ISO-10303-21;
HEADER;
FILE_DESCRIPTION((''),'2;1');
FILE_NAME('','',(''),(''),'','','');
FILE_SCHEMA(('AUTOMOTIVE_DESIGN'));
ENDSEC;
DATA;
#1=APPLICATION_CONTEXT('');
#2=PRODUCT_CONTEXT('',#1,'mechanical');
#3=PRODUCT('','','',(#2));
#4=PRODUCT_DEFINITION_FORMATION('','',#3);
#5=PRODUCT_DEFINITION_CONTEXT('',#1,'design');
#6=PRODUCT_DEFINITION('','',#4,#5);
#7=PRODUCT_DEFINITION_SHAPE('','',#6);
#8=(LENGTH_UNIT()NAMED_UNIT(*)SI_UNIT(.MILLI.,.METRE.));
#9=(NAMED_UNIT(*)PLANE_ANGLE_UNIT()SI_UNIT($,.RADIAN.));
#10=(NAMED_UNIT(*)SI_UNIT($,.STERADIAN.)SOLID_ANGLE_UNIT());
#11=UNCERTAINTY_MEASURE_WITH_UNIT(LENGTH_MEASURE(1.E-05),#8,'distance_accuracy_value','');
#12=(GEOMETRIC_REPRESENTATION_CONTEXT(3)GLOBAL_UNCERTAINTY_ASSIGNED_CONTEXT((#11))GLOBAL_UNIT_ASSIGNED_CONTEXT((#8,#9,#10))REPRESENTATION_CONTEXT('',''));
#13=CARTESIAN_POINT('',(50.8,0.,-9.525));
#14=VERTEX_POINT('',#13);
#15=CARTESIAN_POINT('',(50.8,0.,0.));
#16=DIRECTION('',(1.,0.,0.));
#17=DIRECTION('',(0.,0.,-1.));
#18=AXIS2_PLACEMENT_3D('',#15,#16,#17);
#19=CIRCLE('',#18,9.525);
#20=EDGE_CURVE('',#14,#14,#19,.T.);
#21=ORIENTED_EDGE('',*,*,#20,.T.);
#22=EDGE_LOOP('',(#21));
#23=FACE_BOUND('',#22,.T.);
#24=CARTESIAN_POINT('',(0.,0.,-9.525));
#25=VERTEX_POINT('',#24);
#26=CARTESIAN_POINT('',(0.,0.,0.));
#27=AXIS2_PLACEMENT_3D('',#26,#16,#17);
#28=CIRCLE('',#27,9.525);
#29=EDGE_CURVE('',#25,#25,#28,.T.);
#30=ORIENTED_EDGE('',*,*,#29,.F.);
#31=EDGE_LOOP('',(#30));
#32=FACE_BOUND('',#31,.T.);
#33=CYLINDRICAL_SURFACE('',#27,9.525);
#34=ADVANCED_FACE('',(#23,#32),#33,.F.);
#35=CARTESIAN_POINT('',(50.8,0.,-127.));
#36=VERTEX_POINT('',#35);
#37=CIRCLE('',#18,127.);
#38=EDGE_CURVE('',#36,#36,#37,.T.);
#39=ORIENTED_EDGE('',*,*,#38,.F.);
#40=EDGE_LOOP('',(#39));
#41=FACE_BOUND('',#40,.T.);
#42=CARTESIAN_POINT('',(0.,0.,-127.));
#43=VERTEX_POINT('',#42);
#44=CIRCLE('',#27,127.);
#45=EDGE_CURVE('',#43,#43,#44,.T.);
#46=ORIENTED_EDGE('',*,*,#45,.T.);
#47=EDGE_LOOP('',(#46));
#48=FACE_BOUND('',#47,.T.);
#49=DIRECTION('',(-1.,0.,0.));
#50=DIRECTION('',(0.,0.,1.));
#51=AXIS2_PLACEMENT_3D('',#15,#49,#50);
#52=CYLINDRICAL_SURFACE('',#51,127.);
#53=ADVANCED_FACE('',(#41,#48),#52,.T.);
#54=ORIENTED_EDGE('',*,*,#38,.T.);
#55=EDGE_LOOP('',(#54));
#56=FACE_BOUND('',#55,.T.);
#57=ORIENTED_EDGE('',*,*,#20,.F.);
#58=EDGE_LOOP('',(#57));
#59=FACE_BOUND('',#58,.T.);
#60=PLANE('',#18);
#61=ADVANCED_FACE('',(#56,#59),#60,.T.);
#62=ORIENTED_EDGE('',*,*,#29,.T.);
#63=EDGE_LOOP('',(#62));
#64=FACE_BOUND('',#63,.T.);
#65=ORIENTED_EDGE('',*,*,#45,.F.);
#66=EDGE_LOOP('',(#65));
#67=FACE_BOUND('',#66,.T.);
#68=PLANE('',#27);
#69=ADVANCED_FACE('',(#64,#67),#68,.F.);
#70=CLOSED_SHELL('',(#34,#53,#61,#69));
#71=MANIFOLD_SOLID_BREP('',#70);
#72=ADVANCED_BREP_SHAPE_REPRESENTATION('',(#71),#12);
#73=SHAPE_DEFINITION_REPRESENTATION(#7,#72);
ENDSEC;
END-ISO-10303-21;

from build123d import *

# Parameters (mm, degrees)
SKETCH1_R           = 127
BOSS_EXTRUDE1_DEPTH = 50.8
SKETCH2_R           = 9.525
CUT_EXTRUDE1_DEPTH  = 50.8


with BuildPart() as part:
    # Sketch1 → Boss-Extrude1 (new body)
    with BuildSketch(Plane(origin=(0, 0, 0), x_dir=(0, 0, -1), z_dir=(1, 0, 0))):
        Circle(SKETCH1_R)
    extrude(amount=BOSS_EXTRUDE1_DEPTH)

    # Sketch2 → Cut-Extrude1 (cut)
    with BuildSketch(Plane(origin=(50.8, 0, 0), x_dir=(0, 0, -1), z_dir=(1, 0, 0))):
        Circle(SKETCH2_R)
    extrude(amount=-CUT_EXTRUDE1_DEPTH, mode=Mode.SUBTRACT)


solid = part.part
